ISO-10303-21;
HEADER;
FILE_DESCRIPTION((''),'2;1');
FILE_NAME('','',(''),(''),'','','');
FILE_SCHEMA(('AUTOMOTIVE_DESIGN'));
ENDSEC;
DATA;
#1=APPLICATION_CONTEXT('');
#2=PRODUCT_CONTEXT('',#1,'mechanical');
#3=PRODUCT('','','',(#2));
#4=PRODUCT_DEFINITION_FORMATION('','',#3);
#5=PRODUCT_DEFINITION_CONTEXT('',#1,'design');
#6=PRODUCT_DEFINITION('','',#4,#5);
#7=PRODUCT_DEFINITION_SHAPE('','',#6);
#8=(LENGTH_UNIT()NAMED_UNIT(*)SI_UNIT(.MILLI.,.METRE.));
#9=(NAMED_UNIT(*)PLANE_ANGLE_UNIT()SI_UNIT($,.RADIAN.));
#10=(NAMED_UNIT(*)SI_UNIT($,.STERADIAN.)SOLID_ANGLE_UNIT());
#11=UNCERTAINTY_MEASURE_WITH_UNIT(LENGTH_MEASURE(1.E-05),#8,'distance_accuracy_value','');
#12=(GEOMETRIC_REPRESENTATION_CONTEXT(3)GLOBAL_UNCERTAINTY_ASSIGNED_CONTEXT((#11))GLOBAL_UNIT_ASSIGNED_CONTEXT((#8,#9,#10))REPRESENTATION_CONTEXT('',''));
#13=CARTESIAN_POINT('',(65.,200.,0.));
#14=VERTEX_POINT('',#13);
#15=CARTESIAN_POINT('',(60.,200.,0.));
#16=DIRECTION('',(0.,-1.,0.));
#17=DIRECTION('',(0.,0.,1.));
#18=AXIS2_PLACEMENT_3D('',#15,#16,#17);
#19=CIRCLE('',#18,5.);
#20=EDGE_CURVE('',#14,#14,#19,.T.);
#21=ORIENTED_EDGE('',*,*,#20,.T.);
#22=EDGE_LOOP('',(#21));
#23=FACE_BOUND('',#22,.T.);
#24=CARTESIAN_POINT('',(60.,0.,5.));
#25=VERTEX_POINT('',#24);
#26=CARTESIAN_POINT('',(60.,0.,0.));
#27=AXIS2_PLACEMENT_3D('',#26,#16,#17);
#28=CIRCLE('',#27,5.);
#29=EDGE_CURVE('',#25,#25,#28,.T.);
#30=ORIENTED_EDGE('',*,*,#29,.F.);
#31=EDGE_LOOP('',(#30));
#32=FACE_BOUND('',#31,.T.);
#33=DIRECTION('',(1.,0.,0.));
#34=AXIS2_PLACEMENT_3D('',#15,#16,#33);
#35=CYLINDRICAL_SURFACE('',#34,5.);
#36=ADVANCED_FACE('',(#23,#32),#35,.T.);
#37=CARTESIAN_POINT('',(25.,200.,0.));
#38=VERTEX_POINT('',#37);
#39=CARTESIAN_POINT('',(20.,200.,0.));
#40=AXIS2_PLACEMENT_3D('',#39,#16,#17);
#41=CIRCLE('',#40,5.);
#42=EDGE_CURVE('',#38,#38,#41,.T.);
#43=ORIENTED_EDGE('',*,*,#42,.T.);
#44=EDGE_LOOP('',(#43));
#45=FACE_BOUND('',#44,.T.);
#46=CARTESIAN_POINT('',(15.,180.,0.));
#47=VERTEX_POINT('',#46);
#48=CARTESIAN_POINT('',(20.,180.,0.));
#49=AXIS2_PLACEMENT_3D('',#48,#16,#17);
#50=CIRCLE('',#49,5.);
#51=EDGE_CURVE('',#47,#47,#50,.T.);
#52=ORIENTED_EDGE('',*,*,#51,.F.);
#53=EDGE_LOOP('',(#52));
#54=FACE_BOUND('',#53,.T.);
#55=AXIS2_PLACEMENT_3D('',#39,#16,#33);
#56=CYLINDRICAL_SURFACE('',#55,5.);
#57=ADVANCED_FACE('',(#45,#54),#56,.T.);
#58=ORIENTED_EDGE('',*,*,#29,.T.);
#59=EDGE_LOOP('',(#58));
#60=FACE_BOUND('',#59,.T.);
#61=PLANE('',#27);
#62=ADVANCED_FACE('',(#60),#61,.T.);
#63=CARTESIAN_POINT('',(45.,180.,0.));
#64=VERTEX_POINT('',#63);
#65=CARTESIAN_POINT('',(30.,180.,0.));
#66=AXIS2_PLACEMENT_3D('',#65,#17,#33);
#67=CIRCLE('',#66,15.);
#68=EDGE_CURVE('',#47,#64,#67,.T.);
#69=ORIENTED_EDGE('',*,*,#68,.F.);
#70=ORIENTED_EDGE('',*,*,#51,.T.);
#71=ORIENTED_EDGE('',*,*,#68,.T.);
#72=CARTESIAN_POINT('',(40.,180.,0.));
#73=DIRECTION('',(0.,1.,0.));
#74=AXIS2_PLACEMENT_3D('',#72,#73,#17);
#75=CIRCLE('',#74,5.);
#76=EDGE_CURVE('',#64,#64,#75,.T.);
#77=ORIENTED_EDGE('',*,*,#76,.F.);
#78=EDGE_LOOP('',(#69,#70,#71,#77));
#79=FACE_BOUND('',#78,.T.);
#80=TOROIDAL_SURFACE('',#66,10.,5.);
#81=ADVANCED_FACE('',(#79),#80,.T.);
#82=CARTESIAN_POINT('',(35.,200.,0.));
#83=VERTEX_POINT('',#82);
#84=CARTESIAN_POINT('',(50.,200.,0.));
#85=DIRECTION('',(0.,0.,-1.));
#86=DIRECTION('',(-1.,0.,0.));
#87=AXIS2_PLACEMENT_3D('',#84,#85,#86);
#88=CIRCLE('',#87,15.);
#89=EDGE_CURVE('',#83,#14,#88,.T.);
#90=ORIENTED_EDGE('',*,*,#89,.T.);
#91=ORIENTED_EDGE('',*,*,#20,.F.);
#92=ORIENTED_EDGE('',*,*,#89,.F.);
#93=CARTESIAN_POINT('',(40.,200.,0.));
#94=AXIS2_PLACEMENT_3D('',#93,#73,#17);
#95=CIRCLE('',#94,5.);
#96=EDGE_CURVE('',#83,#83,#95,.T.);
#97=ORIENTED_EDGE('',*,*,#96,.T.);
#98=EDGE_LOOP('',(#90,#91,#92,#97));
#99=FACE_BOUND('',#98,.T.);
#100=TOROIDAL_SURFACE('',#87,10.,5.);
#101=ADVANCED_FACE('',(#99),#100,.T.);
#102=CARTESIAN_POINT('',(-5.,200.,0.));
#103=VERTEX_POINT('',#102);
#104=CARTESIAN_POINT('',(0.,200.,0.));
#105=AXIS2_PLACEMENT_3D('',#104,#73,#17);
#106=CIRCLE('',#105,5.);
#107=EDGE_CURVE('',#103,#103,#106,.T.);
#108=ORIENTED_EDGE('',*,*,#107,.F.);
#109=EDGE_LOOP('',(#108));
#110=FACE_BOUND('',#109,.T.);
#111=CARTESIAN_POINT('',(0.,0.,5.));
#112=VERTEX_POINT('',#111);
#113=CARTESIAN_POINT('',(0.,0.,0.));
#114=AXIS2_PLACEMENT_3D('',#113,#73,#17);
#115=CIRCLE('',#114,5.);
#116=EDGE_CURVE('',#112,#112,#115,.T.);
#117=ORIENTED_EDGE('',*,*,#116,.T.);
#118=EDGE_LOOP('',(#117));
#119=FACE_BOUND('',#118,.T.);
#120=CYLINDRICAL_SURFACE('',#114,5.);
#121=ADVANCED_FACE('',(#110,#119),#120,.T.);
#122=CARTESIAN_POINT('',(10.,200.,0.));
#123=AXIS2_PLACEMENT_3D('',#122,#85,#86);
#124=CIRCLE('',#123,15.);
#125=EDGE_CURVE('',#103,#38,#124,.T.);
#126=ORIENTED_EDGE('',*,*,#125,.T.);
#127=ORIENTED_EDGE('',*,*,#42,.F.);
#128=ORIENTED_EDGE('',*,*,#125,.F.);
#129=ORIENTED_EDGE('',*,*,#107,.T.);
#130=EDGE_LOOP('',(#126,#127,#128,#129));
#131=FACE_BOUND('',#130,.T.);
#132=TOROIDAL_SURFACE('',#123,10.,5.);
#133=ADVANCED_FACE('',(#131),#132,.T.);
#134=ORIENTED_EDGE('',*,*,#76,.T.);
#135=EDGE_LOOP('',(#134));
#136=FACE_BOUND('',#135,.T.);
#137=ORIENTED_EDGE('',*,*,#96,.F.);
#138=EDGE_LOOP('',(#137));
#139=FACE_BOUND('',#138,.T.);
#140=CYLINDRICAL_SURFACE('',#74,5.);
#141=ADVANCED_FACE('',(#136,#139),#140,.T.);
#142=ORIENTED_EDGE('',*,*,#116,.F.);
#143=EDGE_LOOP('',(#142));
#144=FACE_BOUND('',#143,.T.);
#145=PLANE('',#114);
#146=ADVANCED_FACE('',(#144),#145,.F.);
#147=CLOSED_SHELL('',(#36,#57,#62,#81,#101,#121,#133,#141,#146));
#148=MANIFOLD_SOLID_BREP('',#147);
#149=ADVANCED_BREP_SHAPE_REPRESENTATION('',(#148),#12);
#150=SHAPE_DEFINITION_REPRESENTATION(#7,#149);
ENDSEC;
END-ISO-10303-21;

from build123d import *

# Parameters (mm, degrees)
SKETCH8_R = 5


with BuildPart() as part:
    # Sweep3: sweep along a path in Sketch1
    with BuildLine(Plane.XY) as sweep3_path:
        Line((0, 0), (0, 200))
        ThreePointArc((0, 200), (10, 210), (20, 200))
        Line((20, 200), (20, 180))
        ThreePointArc((20, 180), (30, 170), (40, 180))
        Line((40, 180), (40, 200))
        ThreePointArc((40, 200), (50, 210), (60, 200))
        Line((60, 200), (60, 0))
    # Sketch8 → Sweep3 (sweep)
    with BuildSketch(Plane(origin=(0, 0, 0), x_dir=(1, 0, 0), z_dir=(0, 1, 0))):
        Circle(SKETCH8_R)
    sweep(path=sweep3_path.line)


solid = part.part
